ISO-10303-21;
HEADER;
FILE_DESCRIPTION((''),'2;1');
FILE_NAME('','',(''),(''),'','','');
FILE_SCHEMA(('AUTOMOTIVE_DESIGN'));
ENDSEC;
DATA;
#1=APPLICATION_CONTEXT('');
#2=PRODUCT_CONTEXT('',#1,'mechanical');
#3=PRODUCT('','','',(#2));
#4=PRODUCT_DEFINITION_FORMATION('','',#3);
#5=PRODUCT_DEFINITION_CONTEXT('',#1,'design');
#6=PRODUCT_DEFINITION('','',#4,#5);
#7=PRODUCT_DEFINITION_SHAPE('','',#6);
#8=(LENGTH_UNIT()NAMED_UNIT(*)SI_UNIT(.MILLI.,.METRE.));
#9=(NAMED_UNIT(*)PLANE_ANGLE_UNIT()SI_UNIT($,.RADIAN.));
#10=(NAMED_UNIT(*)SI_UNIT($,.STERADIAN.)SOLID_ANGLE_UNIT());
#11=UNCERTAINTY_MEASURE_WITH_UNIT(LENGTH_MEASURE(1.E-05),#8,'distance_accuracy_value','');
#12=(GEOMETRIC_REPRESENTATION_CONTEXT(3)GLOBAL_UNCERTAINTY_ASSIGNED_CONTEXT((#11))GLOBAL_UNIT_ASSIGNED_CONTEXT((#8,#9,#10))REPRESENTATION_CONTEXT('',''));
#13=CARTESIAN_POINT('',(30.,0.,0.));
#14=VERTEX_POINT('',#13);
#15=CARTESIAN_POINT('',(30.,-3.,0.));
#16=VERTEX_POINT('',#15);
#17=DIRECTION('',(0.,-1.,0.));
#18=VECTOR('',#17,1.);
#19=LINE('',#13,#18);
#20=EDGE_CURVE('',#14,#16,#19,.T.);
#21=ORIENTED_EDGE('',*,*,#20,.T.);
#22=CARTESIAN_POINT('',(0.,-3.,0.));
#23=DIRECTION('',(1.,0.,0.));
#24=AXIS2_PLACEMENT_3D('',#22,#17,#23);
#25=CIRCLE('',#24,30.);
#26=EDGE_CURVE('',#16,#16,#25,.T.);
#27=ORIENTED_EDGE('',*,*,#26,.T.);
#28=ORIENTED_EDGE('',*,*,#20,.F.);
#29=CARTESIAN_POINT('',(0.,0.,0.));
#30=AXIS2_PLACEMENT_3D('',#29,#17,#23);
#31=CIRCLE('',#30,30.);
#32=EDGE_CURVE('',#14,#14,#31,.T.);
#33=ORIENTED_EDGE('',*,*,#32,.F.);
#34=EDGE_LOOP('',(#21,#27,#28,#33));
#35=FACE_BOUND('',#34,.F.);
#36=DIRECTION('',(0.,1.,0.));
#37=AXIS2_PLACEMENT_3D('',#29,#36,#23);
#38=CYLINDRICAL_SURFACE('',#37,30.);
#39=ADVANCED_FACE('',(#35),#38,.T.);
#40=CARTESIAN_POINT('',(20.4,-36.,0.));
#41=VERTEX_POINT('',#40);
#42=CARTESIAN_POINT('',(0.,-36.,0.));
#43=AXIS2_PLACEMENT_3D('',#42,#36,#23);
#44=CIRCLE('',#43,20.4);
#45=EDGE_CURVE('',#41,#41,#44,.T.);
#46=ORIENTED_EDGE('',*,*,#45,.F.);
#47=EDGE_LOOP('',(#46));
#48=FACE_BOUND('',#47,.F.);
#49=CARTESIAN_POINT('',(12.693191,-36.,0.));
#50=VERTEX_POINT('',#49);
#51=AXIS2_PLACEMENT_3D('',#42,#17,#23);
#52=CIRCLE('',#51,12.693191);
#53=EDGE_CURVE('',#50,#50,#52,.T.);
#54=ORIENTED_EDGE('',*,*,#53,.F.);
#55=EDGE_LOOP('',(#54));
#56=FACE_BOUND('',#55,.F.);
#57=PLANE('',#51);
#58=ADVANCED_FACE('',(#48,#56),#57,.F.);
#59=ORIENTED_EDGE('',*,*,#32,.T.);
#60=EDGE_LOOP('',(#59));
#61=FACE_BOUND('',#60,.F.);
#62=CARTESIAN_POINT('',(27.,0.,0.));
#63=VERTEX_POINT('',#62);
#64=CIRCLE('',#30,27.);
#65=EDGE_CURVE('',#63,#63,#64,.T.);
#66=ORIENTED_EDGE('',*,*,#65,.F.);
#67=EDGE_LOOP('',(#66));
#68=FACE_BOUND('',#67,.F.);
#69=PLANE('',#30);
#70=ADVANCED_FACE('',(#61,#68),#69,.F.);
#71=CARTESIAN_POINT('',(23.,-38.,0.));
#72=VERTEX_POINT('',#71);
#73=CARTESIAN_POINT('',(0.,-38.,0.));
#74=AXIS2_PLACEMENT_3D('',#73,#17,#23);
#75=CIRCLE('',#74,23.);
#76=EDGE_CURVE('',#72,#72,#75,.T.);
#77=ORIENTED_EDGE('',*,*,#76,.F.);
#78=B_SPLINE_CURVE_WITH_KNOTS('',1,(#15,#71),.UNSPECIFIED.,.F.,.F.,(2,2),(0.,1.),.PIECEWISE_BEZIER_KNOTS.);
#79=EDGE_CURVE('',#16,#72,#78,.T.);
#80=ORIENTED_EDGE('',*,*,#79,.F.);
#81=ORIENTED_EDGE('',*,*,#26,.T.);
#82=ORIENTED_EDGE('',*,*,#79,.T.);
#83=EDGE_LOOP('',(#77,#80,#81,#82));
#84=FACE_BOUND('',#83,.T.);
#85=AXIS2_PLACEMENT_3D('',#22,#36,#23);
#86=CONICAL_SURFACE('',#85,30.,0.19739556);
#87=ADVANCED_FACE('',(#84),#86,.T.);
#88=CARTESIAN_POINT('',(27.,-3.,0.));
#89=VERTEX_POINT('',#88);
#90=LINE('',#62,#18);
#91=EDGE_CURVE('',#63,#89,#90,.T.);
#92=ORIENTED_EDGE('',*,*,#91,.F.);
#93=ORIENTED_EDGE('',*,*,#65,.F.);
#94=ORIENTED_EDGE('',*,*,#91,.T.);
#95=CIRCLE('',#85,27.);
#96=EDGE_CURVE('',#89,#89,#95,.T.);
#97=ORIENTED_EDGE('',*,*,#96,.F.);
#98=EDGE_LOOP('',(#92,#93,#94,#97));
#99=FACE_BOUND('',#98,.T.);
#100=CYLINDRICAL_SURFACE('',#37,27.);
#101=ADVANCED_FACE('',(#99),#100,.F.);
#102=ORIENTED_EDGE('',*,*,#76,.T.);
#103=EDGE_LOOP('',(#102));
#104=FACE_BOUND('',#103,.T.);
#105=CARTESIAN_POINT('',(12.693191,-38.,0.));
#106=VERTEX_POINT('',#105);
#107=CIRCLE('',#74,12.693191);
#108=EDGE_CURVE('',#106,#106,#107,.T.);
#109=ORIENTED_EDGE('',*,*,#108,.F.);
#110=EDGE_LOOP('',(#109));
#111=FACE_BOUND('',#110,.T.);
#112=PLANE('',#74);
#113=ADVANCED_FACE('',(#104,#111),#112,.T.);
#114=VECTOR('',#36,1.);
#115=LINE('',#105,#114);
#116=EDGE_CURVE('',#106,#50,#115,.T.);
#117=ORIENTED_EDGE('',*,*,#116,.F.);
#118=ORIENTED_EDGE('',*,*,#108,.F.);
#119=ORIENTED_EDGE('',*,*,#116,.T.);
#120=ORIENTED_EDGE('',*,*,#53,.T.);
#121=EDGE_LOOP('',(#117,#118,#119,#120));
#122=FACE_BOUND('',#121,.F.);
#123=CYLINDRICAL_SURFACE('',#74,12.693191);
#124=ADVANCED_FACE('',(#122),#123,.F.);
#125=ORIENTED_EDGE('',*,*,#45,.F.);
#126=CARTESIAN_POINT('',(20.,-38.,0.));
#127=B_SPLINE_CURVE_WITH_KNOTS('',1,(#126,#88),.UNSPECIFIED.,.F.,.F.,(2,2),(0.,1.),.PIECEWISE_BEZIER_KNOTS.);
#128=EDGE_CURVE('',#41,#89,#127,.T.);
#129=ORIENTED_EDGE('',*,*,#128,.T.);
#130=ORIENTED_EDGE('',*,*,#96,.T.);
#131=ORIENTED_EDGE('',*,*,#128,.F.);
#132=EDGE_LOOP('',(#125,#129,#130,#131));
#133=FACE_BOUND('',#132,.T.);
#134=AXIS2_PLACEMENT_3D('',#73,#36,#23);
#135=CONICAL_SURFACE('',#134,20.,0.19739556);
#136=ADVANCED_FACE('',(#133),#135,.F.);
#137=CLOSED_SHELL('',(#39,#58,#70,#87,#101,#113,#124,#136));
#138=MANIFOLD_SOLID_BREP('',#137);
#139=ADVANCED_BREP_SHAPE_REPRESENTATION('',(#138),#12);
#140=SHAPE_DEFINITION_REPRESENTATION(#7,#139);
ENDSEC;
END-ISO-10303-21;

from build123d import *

# Parameters (mm, degrees)
F0_R      = 30
F0_R_2    = 27
F1_DEPTH  = 3
F4_R      = 30
F3_R      = 23
F7_R      = 20
F6_R      = 27
F9_R      = 22.403667
F9_R_2    = 12.693191
F10_DEPTH = 2


with BuildPart() as f1:
    # F0 (on Front) → F1 (new body)
    with BuildSketch(Plane.XZ):
        Circle(F0_R)
        Circle(F0_R_2, mode=Mode.SUBTRACT)
    extrude(amount=F1_DEPTH)

    # F4 (on face) → F5 section 0
    with BuildSketch(Plane.XZ.offset(3)):
        Circle(F4_R)
    # F3 (on offset) → F5 section 1
    with BuildSketch(Plane.XZ.offset(38)):
        Circle(F3_R)
    loft()

    # F7 (on face) → F8 section 0
    with BuildSketch(Plane.XZ.offset(38)):
        Circle(F7_R)
    # F6 (on face) → F8 section 1
    with BuildSketch(Plane(origin=(0, -3, 0), x_dir=(-1, 0, 0), z_dir=(0, 1, 0))):
        Circle(F6_R)
    loft(mode=Mode.SUBTRACT)

    # F9 (on face) → F10 (join)
    with BuildSketch(Plane.XZ.offset(38)):
        Circle(F9_R)
        Circle(F9_R_2, mode=Mode.SUBTRACT)
    extrude(amount=-F10_DEPTH)


solid = f1.part
